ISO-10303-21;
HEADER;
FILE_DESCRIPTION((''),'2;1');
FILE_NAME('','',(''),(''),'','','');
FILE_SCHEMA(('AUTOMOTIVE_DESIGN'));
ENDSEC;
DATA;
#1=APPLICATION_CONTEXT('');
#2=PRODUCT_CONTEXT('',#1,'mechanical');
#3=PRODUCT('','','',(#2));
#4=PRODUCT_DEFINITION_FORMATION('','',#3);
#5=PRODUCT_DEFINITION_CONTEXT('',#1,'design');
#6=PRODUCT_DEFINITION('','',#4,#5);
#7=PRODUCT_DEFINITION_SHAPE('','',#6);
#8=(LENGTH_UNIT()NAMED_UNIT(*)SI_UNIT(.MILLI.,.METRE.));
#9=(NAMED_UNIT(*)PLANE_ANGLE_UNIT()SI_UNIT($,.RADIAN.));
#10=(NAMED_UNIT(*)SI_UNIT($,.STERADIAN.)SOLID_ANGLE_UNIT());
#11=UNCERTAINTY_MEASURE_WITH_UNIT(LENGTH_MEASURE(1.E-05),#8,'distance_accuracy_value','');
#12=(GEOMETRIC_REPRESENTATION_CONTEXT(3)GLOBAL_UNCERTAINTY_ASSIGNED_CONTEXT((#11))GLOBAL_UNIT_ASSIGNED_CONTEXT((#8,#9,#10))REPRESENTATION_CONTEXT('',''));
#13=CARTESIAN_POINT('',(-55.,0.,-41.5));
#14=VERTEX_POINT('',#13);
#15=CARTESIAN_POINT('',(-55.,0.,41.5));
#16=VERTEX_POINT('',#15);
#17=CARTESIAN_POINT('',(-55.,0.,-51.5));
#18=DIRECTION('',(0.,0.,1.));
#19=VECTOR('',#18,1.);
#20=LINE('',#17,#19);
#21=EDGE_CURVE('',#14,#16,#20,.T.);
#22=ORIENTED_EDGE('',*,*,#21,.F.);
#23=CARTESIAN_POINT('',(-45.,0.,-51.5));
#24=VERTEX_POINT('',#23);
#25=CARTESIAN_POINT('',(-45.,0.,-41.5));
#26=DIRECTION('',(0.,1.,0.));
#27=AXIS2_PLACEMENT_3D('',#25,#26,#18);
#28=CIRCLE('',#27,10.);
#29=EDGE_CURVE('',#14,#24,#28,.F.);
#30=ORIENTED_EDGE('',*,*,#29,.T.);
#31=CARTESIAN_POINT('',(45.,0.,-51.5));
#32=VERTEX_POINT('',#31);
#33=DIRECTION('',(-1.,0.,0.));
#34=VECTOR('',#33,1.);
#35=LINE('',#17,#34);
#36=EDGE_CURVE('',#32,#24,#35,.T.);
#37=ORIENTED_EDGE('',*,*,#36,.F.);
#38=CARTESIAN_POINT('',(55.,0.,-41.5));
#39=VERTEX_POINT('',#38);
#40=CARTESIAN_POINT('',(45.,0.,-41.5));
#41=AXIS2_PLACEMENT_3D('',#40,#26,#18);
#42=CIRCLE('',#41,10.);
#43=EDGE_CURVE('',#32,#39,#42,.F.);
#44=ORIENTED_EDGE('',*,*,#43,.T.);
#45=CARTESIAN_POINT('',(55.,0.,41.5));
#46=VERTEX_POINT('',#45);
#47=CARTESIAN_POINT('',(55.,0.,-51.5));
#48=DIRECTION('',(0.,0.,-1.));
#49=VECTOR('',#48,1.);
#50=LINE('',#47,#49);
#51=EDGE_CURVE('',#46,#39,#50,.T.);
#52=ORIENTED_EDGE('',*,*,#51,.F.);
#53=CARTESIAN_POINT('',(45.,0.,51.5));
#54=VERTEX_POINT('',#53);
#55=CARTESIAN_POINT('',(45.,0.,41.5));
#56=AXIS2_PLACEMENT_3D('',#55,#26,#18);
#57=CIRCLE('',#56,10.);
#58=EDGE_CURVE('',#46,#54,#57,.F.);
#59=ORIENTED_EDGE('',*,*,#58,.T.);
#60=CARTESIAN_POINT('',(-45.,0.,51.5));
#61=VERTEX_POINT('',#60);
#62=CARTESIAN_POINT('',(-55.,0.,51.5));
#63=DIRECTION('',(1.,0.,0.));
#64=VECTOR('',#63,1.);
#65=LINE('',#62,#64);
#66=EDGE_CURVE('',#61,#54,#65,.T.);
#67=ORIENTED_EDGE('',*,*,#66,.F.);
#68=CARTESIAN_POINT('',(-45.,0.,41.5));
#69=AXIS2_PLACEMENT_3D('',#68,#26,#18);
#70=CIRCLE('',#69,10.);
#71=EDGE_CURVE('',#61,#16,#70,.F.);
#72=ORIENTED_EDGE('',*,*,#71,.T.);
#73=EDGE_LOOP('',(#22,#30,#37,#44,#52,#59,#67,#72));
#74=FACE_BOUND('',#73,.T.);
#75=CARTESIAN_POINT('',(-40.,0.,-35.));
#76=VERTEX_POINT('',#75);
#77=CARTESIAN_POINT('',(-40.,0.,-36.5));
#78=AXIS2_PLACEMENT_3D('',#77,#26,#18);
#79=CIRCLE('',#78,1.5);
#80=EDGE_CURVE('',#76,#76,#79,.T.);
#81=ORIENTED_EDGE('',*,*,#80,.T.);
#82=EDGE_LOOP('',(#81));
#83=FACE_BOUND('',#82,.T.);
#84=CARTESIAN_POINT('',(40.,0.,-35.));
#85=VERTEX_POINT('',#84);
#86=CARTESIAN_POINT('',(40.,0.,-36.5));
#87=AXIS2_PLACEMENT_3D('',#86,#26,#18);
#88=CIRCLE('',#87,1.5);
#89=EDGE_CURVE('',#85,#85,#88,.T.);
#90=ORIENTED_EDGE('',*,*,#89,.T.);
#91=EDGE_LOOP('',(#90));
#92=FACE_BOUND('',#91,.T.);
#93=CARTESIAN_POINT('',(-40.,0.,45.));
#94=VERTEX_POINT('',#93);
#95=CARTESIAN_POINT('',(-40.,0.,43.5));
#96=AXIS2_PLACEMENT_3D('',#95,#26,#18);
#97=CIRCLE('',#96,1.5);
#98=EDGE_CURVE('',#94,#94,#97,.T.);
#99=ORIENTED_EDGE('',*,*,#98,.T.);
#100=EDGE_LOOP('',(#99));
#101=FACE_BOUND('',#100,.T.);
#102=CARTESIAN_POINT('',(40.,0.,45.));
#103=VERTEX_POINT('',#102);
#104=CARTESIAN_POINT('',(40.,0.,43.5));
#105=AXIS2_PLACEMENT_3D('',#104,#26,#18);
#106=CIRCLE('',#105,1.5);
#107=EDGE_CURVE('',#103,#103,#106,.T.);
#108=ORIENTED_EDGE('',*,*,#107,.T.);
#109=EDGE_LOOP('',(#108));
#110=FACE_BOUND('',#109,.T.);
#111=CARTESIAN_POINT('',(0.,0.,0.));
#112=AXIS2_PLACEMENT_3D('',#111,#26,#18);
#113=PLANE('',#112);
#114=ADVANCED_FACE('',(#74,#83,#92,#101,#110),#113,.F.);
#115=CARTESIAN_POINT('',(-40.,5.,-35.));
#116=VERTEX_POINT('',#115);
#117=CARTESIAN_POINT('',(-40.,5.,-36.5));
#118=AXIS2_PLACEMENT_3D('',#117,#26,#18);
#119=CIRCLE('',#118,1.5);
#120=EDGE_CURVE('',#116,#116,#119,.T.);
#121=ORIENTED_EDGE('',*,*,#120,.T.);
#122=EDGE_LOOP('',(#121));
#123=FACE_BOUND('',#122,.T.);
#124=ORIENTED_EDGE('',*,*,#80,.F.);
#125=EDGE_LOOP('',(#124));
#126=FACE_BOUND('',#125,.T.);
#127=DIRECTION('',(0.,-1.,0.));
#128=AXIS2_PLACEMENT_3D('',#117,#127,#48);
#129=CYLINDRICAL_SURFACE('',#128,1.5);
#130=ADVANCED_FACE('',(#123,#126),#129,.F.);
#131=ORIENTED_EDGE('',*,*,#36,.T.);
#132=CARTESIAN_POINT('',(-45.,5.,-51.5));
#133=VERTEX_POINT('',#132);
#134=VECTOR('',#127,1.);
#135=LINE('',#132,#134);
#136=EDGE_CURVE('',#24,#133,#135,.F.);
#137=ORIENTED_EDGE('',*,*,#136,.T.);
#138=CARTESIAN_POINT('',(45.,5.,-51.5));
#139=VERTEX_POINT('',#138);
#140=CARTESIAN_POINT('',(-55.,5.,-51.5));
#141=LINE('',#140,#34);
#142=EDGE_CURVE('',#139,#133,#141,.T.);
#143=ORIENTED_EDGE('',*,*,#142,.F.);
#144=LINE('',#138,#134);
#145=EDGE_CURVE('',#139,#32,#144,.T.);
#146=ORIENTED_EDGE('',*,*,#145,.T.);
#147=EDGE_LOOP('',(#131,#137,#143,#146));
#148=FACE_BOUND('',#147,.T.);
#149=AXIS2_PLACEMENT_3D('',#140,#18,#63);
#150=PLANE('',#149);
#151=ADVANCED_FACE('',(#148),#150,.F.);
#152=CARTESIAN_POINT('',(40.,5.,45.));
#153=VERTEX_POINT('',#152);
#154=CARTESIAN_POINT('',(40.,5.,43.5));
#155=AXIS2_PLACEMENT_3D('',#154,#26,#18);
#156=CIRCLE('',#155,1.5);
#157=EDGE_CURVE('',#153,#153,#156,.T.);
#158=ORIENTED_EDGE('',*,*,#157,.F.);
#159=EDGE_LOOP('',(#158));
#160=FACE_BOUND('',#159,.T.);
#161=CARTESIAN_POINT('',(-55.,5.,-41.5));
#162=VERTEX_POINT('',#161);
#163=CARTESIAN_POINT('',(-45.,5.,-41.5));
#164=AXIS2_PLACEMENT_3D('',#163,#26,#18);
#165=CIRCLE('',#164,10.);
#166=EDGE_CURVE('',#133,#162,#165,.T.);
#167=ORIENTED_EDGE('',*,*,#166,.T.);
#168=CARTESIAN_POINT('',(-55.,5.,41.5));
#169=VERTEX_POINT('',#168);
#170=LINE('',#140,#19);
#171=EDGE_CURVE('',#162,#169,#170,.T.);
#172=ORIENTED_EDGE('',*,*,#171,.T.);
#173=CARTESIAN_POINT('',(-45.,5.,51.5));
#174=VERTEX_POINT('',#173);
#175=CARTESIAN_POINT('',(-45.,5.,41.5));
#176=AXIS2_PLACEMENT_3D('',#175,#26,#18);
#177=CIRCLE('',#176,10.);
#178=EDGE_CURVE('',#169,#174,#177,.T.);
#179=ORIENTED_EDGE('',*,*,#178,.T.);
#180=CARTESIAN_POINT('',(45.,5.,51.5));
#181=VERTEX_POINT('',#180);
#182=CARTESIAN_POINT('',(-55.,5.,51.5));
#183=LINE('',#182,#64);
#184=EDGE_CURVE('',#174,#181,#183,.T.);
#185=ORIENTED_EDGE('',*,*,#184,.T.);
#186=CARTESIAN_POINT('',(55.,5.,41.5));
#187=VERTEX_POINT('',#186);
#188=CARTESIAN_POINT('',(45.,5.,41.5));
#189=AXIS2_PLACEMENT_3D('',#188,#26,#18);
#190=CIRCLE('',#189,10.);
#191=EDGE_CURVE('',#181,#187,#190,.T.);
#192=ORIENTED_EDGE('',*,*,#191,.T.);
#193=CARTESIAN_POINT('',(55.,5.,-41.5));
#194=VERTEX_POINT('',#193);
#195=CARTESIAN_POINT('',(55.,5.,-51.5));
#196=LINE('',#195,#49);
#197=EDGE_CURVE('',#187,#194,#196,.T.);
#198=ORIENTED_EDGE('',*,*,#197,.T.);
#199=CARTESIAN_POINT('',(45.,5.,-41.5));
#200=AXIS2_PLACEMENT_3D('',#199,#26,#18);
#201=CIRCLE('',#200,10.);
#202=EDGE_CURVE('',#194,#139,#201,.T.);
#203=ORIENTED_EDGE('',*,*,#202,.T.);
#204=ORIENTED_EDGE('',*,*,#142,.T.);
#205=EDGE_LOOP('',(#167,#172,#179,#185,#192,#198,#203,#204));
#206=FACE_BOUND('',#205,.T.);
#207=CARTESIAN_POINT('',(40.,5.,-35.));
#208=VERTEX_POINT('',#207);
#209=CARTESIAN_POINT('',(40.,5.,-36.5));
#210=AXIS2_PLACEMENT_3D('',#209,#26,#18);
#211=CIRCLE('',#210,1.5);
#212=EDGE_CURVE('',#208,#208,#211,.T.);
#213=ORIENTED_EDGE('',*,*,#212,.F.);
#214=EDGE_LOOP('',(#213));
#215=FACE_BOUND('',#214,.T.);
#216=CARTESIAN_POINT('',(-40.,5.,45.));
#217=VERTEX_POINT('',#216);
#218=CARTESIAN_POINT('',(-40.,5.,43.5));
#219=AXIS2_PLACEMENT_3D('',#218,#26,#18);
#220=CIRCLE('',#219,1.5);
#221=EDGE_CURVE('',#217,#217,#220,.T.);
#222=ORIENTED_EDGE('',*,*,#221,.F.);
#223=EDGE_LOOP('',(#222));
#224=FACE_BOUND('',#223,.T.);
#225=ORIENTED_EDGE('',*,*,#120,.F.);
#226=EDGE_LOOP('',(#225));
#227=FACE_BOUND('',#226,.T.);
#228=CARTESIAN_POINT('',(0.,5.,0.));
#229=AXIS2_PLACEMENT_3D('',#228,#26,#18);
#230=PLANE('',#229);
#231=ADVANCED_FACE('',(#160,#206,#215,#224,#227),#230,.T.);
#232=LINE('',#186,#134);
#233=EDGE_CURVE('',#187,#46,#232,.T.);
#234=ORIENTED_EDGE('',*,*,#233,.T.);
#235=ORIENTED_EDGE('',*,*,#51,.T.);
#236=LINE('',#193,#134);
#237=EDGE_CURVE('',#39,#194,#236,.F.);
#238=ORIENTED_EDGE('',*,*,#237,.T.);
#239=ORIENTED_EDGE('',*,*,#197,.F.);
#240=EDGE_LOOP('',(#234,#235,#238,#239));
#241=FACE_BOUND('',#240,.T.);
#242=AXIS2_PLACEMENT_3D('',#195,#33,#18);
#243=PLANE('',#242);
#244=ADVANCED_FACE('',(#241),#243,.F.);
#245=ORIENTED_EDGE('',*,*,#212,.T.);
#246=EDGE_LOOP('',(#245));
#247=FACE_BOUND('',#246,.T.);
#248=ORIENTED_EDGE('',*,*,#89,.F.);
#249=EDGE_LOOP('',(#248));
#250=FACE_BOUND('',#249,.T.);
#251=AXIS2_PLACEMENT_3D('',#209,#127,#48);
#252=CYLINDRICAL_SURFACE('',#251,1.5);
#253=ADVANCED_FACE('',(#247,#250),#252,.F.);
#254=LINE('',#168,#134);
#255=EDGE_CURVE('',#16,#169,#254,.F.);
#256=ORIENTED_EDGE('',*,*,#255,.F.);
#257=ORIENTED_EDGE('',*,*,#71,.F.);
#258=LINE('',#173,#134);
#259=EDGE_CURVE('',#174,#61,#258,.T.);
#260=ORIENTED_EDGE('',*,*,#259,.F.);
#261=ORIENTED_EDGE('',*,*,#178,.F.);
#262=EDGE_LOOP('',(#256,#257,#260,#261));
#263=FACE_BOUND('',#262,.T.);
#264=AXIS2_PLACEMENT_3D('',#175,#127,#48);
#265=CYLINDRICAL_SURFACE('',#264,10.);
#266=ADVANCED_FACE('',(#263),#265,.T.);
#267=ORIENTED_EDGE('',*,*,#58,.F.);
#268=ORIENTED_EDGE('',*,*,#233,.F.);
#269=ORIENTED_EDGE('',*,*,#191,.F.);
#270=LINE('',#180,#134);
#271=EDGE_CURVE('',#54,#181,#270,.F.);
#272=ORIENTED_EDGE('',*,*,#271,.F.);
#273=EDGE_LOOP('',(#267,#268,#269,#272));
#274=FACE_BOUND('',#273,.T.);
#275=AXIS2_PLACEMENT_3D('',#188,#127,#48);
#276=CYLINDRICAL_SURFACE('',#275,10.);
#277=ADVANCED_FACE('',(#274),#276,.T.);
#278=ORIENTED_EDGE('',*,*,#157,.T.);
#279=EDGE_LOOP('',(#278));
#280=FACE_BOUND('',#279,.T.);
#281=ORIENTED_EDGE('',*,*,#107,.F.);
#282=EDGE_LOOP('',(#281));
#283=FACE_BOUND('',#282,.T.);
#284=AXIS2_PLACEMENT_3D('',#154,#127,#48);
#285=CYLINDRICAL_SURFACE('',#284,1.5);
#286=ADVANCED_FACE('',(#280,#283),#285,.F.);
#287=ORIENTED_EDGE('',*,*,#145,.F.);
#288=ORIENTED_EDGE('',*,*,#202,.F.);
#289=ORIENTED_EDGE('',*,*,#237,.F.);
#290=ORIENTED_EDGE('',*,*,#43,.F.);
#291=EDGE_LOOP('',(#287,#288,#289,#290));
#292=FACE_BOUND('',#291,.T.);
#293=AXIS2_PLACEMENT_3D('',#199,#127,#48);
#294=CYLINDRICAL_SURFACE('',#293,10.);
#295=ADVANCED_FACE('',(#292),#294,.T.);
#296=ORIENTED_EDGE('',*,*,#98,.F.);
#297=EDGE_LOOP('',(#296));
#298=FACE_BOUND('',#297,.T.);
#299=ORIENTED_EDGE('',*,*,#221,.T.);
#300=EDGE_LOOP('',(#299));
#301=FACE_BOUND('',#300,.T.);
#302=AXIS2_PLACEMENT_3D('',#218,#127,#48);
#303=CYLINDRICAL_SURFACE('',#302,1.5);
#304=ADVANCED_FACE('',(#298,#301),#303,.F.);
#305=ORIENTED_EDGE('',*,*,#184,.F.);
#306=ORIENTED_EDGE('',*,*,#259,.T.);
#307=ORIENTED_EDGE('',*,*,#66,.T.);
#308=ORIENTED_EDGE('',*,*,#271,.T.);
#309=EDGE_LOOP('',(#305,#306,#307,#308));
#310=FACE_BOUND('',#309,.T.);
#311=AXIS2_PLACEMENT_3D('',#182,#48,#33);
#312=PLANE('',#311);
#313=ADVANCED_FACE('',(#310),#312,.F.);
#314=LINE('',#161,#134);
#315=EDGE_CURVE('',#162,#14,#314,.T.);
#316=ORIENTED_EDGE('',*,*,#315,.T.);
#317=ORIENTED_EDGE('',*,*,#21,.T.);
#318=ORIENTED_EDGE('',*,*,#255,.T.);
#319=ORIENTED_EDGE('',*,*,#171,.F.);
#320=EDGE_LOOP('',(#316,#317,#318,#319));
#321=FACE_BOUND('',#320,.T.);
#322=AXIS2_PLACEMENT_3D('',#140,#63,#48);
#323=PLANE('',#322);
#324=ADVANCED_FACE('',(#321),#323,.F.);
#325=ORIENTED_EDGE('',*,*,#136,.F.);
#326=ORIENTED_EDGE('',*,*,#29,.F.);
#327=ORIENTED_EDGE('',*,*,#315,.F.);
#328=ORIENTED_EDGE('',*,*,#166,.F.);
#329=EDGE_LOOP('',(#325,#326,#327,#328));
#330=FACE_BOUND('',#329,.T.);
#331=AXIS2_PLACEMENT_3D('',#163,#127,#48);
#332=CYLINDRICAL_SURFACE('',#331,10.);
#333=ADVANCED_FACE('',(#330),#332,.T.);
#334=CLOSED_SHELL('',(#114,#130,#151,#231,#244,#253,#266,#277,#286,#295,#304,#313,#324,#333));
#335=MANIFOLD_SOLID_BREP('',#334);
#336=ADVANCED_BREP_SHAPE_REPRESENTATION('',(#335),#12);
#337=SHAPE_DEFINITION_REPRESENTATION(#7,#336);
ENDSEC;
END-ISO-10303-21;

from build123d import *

# Parameters (mm, degrees)
SKETCH2_W           = 110
SKETCH2_H           = 103
SKETCH2_R           = 1.5
BOSS_EXTRUDE1_DEPTH = 5
FILLET1_R           = 10


with BuildPart() as part:
    # Sketch2 → Boss-Extrude1 (new body)
    with BuildSketch(Plane(origin=(0, 0, 0), x_dir=(1, 0, 0), z_dir=(0, 1, 0))):
        Rectangle(SKETCH2_W, SKETCH2_H)
        with Locations(Location((-40, -43.5, 0), (0, 0, 270))):
            Circle(SKETCH2_R, mode=Mode.SUBTRACT)
        with Locations(Location((-40, 36.5, 0), (0, 0, 270))):
            Circle(SKETCH2_R, mode=Mode.SUBTRACT)
        with Locations(Location((40, -43.5, 0), (0, 0, 270))):
            Circle(SKETCH2_R, mode=Mode.SUBTRACT)
        with Locations(Location((40, 36.5, 0), (0, 0, 270))):
            Circle(SKETCH2_R, mode=Mode.SUBTRACT)
    extrude(amount=BOSS_EXTRUDE1_DEPTH)

    # Fillet1
    fillet1_edges = [part.edges().sort_by_distance(p)[0] for p in [
        (55, 2.5, 51.5),
        (-55, 2.5, 51.5),
        (-55, 2.5, -51.5),
        (55, 2.5, -51.5),
    ]]
    fillet(fillet1_edges, radius=FILLET1_R)


solid = part.part
